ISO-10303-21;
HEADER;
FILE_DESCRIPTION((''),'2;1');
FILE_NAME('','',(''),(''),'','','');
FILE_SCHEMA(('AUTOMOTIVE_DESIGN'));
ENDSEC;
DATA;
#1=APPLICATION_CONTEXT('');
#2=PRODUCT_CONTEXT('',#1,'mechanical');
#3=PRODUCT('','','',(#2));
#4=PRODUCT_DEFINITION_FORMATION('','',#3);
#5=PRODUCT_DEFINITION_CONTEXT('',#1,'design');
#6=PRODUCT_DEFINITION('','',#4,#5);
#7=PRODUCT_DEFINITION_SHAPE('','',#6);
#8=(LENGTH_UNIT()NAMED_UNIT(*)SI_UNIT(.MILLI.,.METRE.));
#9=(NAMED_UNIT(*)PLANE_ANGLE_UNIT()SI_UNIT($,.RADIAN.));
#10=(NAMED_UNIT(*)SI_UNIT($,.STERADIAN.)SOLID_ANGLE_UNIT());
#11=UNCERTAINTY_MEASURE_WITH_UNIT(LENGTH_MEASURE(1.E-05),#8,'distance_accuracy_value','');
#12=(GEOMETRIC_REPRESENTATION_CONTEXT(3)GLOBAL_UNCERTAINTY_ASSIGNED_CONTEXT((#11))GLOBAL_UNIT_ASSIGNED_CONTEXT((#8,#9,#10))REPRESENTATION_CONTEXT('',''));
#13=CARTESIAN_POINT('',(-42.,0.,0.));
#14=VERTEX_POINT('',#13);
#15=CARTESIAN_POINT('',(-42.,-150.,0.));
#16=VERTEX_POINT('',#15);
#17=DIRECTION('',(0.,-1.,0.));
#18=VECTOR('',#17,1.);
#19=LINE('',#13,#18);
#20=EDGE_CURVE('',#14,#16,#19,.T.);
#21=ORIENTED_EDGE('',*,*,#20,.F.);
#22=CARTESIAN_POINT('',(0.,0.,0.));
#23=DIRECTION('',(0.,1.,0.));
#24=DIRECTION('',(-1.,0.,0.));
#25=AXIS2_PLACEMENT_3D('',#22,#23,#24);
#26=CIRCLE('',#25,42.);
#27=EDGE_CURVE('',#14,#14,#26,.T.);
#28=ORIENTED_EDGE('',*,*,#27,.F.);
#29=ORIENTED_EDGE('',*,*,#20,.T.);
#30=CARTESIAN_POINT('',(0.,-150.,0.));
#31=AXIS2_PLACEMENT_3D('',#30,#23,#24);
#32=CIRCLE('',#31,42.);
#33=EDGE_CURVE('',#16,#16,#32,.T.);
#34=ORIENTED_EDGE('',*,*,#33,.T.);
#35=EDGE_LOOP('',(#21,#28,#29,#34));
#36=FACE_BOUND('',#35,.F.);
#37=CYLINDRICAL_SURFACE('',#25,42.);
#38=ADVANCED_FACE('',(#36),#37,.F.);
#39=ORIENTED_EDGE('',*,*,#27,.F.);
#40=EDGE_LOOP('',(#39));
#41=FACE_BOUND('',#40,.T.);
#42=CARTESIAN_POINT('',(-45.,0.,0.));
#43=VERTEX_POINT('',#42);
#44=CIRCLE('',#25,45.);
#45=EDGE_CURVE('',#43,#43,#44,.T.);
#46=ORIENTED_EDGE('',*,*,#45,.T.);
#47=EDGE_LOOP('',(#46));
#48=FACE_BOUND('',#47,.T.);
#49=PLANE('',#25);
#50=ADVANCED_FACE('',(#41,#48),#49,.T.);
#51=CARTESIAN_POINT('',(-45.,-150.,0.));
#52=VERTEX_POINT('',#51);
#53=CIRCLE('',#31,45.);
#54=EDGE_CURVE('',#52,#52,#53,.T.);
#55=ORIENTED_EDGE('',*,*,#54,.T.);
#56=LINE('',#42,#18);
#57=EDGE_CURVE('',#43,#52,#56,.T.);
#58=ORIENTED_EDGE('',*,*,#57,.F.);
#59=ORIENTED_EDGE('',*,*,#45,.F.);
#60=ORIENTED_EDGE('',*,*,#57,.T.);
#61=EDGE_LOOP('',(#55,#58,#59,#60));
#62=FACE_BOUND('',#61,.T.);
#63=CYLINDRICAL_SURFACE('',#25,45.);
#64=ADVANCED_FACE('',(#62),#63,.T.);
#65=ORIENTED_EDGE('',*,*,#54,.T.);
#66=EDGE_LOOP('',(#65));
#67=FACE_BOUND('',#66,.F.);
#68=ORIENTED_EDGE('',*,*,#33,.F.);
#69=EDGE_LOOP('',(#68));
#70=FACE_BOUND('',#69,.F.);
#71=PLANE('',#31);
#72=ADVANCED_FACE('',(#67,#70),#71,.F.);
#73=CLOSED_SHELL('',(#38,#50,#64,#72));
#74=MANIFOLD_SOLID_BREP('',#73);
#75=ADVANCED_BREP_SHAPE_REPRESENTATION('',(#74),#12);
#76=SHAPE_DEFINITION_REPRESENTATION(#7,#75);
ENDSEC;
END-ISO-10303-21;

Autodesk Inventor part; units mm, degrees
ref_plane "YZ Plane" through (0, 0, 0) normal (1, 0, 0) x (0, 1, 0)
ref_plane "XZ Plane" through (0, 0, 0) normal (0, 1, 0) x (-1, 0, 0)
ref_plane "XY Plane" through (0, 0, 0) normal (0, 0, 1) x (1, 0, 0)
sketch "Sketch1" plane through (0, 0, 0) normal (0, 1, 0) x (-1, 0, 0)
  circle A0 centre (0, 0) radius 45
  circle A1 centre (0, 0) radius 42
  dimension "d0" = 90
  dimension "d1" = 3
extrude "Extrusion1" add sketch "Sketch1" against normal blind 150
properties part number "PRS 9614 FDS tube 4_D1200"
